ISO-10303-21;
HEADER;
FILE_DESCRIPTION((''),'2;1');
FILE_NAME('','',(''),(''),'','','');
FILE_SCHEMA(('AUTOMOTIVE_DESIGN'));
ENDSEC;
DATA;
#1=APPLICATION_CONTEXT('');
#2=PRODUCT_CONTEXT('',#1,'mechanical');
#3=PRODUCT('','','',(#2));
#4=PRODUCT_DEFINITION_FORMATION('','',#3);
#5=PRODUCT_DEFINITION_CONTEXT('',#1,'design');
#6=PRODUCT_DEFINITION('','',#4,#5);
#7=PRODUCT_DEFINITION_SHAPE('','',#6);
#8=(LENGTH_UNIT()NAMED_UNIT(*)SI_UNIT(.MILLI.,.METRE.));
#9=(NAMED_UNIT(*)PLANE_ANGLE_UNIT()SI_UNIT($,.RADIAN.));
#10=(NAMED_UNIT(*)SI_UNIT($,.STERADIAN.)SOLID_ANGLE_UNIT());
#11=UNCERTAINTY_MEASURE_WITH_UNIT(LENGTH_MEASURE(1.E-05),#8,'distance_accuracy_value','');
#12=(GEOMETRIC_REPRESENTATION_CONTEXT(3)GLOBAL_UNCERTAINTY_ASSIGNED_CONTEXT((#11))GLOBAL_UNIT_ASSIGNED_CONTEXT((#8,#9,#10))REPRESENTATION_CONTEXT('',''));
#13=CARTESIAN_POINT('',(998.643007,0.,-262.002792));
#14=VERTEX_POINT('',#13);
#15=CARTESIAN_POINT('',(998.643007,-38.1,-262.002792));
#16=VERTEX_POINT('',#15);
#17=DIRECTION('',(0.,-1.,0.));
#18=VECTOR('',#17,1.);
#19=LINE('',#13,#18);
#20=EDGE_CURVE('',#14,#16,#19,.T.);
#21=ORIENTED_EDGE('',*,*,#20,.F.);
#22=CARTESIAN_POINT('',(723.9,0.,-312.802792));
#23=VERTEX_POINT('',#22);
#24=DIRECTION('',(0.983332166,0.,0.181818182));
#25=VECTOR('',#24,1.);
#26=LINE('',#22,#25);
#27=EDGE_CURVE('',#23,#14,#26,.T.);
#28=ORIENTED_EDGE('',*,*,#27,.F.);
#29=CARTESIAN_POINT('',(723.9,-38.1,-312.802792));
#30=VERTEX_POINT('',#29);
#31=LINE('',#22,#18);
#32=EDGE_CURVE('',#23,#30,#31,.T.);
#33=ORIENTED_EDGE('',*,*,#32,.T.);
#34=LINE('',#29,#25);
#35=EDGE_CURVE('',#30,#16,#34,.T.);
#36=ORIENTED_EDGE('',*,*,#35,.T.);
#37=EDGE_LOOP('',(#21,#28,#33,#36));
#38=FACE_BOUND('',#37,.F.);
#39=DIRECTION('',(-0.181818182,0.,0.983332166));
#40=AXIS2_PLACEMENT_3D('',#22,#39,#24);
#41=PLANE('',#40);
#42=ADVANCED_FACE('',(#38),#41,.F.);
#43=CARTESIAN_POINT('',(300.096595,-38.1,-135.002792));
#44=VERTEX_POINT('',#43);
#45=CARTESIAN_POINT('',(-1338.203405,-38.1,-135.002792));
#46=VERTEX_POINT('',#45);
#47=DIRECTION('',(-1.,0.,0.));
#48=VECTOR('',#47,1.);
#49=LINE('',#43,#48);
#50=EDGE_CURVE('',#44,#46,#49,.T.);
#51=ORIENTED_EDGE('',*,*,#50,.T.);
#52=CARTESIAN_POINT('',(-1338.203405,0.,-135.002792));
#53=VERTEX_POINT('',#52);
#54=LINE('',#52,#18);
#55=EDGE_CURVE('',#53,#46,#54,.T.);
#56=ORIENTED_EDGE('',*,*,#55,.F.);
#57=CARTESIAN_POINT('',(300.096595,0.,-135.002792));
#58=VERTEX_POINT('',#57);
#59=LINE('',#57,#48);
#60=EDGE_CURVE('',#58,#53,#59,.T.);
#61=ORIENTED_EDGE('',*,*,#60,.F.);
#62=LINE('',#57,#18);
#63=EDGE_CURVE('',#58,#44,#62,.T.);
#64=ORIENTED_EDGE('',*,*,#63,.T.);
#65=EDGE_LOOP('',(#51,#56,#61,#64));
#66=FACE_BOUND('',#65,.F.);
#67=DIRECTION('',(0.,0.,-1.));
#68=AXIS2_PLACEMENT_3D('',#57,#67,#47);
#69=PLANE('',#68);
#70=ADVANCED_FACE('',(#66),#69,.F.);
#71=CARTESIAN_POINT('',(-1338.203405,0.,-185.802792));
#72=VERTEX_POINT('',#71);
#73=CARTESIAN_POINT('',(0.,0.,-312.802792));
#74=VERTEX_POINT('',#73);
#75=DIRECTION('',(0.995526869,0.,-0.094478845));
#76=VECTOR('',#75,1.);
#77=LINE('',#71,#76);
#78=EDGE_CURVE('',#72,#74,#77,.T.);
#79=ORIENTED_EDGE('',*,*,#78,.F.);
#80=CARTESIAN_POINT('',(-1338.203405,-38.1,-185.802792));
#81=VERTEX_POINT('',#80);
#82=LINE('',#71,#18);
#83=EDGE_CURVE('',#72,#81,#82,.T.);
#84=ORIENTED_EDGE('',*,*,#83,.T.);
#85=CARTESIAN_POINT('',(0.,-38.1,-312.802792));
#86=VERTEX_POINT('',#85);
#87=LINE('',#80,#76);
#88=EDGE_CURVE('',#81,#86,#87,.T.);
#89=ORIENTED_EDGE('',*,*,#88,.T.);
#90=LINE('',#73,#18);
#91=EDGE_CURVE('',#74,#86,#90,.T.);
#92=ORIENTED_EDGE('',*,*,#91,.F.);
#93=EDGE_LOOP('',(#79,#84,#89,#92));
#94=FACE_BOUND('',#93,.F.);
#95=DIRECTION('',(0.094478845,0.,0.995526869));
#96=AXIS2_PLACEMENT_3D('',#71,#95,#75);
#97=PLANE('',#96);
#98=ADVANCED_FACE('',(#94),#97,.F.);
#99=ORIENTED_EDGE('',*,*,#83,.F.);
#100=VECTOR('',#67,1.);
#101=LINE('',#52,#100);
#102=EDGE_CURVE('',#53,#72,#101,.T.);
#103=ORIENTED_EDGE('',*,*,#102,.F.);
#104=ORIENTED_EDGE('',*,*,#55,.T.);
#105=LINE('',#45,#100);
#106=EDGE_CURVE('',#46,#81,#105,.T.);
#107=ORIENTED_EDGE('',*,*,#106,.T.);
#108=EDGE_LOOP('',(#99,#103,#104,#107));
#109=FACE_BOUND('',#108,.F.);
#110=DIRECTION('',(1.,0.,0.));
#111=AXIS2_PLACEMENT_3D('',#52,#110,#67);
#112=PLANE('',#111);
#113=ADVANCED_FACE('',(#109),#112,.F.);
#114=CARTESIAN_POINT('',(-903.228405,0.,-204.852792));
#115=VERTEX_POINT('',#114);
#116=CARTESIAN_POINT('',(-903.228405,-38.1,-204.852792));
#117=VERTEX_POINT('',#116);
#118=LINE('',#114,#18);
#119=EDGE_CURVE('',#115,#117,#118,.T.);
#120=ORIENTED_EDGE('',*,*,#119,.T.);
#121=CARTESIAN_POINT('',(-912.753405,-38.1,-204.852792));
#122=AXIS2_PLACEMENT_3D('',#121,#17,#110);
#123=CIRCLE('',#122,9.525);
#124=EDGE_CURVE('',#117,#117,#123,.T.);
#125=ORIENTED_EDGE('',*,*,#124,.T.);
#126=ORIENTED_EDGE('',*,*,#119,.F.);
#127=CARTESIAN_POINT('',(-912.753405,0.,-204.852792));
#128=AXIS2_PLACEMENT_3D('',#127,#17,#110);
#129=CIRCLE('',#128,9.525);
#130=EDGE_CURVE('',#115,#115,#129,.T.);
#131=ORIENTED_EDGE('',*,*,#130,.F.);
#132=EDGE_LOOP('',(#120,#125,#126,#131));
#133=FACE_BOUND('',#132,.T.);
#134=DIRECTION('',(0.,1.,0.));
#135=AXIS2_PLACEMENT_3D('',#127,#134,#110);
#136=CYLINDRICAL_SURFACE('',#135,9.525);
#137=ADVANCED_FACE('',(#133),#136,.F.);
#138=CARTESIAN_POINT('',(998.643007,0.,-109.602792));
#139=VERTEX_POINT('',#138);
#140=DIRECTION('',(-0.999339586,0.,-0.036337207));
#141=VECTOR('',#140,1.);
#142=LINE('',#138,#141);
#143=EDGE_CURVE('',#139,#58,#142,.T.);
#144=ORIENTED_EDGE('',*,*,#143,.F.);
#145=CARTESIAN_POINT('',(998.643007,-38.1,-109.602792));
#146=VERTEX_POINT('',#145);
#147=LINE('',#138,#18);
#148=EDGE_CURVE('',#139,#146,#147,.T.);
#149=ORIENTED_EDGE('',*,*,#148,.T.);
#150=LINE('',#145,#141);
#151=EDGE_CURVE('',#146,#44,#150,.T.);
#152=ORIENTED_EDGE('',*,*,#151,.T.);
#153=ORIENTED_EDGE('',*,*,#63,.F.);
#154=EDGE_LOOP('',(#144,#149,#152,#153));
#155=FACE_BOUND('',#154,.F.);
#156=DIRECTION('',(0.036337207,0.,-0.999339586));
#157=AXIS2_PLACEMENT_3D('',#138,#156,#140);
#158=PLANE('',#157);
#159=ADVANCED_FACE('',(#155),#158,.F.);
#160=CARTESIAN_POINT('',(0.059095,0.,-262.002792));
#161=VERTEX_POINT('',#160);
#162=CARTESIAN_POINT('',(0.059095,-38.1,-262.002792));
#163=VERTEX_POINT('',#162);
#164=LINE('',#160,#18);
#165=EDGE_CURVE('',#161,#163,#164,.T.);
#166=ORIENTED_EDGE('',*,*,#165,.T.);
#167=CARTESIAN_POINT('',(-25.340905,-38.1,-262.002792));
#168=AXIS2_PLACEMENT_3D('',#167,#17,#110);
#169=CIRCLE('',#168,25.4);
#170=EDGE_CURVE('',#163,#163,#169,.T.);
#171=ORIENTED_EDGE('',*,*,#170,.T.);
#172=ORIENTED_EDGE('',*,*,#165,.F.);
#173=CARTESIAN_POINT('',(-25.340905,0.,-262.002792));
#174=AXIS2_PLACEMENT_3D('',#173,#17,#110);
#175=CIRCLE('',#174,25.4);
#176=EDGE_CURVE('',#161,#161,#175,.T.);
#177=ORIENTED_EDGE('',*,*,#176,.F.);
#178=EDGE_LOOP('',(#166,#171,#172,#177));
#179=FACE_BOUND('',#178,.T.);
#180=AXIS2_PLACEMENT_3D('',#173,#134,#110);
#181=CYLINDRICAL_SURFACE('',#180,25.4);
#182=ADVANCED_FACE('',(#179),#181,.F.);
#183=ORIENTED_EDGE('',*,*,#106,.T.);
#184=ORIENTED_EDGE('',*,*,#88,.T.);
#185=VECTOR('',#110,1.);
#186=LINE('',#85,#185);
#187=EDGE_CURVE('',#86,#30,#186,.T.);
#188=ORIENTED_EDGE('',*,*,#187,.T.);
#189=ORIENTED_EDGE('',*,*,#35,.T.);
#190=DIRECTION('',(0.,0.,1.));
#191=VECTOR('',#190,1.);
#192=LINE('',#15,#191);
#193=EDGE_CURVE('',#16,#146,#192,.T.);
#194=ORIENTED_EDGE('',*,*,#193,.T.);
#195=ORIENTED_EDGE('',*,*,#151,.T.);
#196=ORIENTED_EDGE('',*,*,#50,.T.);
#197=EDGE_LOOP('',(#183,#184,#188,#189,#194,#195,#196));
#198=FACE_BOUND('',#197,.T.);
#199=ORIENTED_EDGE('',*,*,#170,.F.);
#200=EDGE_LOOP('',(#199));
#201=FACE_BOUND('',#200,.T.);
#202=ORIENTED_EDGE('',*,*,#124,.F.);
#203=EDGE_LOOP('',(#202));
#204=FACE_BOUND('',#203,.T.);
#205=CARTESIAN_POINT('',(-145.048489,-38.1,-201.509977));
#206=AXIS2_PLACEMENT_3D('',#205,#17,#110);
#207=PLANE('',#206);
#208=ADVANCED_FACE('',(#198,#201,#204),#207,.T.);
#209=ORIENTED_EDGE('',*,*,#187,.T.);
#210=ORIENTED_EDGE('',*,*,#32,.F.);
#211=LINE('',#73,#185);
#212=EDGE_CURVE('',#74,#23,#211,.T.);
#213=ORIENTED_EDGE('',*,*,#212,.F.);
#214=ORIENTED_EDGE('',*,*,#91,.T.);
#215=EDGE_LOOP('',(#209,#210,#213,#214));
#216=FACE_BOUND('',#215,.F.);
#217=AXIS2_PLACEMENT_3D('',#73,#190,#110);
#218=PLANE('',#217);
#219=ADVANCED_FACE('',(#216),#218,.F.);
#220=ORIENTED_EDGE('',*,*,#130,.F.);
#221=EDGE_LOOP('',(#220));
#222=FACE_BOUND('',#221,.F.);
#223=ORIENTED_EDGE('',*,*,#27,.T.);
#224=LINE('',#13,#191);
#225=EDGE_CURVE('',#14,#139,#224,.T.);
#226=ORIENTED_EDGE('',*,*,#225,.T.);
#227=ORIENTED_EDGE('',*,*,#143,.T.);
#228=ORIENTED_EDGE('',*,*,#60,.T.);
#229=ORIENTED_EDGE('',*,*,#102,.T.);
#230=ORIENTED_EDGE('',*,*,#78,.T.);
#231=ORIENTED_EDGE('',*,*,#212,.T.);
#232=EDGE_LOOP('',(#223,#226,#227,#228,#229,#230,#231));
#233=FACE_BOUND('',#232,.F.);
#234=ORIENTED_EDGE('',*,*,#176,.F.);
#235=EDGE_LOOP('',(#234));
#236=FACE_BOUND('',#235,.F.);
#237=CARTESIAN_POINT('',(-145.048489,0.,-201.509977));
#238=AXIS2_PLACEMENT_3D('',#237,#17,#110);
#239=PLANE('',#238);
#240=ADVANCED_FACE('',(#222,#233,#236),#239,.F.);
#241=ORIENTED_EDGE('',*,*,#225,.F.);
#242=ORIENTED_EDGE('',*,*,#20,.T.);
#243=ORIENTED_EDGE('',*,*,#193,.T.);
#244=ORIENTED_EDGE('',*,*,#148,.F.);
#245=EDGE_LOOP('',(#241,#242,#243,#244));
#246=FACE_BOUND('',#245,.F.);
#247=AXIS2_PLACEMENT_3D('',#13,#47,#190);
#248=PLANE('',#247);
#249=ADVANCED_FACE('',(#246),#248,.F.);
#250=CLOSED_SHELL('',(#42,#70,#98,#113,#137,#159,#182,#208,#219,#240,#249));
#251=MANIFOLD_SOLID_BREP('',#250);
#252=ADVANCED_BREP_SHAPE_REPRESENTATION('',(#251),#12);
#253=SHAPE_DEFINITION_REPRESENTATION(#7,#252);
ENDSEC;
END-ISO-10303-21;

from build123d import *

# Parameters (mm, degrees)
F0_R     = 25.4
F0_R_2   = 9.525
F1_DEPTH = 38.1


with BuildPart() as f1:
    # F0 (on Front) → F1 (new body)
    with BuildSketch(Plane.XZ):
        Polygon((300.096595, -135.002792), (-1338.203405, -135.002792), (-1338.203405, -185.802792), (0, -312.802792), (723.9, -312.802792), (998.643007, -262.002792), (998.643007, -109.602792), align=None)
        with Locations((-25.340905, -262.002792)):
            Circle(F0_R, mode=Mode.SUBTRACT)
        with Locations((-912.753405, -204.852792)):
            Circle(F0_R_2, mode=Mode.SUBTRACT)
    extrude(amount=F1_DEPTH)


solid = f1.part
